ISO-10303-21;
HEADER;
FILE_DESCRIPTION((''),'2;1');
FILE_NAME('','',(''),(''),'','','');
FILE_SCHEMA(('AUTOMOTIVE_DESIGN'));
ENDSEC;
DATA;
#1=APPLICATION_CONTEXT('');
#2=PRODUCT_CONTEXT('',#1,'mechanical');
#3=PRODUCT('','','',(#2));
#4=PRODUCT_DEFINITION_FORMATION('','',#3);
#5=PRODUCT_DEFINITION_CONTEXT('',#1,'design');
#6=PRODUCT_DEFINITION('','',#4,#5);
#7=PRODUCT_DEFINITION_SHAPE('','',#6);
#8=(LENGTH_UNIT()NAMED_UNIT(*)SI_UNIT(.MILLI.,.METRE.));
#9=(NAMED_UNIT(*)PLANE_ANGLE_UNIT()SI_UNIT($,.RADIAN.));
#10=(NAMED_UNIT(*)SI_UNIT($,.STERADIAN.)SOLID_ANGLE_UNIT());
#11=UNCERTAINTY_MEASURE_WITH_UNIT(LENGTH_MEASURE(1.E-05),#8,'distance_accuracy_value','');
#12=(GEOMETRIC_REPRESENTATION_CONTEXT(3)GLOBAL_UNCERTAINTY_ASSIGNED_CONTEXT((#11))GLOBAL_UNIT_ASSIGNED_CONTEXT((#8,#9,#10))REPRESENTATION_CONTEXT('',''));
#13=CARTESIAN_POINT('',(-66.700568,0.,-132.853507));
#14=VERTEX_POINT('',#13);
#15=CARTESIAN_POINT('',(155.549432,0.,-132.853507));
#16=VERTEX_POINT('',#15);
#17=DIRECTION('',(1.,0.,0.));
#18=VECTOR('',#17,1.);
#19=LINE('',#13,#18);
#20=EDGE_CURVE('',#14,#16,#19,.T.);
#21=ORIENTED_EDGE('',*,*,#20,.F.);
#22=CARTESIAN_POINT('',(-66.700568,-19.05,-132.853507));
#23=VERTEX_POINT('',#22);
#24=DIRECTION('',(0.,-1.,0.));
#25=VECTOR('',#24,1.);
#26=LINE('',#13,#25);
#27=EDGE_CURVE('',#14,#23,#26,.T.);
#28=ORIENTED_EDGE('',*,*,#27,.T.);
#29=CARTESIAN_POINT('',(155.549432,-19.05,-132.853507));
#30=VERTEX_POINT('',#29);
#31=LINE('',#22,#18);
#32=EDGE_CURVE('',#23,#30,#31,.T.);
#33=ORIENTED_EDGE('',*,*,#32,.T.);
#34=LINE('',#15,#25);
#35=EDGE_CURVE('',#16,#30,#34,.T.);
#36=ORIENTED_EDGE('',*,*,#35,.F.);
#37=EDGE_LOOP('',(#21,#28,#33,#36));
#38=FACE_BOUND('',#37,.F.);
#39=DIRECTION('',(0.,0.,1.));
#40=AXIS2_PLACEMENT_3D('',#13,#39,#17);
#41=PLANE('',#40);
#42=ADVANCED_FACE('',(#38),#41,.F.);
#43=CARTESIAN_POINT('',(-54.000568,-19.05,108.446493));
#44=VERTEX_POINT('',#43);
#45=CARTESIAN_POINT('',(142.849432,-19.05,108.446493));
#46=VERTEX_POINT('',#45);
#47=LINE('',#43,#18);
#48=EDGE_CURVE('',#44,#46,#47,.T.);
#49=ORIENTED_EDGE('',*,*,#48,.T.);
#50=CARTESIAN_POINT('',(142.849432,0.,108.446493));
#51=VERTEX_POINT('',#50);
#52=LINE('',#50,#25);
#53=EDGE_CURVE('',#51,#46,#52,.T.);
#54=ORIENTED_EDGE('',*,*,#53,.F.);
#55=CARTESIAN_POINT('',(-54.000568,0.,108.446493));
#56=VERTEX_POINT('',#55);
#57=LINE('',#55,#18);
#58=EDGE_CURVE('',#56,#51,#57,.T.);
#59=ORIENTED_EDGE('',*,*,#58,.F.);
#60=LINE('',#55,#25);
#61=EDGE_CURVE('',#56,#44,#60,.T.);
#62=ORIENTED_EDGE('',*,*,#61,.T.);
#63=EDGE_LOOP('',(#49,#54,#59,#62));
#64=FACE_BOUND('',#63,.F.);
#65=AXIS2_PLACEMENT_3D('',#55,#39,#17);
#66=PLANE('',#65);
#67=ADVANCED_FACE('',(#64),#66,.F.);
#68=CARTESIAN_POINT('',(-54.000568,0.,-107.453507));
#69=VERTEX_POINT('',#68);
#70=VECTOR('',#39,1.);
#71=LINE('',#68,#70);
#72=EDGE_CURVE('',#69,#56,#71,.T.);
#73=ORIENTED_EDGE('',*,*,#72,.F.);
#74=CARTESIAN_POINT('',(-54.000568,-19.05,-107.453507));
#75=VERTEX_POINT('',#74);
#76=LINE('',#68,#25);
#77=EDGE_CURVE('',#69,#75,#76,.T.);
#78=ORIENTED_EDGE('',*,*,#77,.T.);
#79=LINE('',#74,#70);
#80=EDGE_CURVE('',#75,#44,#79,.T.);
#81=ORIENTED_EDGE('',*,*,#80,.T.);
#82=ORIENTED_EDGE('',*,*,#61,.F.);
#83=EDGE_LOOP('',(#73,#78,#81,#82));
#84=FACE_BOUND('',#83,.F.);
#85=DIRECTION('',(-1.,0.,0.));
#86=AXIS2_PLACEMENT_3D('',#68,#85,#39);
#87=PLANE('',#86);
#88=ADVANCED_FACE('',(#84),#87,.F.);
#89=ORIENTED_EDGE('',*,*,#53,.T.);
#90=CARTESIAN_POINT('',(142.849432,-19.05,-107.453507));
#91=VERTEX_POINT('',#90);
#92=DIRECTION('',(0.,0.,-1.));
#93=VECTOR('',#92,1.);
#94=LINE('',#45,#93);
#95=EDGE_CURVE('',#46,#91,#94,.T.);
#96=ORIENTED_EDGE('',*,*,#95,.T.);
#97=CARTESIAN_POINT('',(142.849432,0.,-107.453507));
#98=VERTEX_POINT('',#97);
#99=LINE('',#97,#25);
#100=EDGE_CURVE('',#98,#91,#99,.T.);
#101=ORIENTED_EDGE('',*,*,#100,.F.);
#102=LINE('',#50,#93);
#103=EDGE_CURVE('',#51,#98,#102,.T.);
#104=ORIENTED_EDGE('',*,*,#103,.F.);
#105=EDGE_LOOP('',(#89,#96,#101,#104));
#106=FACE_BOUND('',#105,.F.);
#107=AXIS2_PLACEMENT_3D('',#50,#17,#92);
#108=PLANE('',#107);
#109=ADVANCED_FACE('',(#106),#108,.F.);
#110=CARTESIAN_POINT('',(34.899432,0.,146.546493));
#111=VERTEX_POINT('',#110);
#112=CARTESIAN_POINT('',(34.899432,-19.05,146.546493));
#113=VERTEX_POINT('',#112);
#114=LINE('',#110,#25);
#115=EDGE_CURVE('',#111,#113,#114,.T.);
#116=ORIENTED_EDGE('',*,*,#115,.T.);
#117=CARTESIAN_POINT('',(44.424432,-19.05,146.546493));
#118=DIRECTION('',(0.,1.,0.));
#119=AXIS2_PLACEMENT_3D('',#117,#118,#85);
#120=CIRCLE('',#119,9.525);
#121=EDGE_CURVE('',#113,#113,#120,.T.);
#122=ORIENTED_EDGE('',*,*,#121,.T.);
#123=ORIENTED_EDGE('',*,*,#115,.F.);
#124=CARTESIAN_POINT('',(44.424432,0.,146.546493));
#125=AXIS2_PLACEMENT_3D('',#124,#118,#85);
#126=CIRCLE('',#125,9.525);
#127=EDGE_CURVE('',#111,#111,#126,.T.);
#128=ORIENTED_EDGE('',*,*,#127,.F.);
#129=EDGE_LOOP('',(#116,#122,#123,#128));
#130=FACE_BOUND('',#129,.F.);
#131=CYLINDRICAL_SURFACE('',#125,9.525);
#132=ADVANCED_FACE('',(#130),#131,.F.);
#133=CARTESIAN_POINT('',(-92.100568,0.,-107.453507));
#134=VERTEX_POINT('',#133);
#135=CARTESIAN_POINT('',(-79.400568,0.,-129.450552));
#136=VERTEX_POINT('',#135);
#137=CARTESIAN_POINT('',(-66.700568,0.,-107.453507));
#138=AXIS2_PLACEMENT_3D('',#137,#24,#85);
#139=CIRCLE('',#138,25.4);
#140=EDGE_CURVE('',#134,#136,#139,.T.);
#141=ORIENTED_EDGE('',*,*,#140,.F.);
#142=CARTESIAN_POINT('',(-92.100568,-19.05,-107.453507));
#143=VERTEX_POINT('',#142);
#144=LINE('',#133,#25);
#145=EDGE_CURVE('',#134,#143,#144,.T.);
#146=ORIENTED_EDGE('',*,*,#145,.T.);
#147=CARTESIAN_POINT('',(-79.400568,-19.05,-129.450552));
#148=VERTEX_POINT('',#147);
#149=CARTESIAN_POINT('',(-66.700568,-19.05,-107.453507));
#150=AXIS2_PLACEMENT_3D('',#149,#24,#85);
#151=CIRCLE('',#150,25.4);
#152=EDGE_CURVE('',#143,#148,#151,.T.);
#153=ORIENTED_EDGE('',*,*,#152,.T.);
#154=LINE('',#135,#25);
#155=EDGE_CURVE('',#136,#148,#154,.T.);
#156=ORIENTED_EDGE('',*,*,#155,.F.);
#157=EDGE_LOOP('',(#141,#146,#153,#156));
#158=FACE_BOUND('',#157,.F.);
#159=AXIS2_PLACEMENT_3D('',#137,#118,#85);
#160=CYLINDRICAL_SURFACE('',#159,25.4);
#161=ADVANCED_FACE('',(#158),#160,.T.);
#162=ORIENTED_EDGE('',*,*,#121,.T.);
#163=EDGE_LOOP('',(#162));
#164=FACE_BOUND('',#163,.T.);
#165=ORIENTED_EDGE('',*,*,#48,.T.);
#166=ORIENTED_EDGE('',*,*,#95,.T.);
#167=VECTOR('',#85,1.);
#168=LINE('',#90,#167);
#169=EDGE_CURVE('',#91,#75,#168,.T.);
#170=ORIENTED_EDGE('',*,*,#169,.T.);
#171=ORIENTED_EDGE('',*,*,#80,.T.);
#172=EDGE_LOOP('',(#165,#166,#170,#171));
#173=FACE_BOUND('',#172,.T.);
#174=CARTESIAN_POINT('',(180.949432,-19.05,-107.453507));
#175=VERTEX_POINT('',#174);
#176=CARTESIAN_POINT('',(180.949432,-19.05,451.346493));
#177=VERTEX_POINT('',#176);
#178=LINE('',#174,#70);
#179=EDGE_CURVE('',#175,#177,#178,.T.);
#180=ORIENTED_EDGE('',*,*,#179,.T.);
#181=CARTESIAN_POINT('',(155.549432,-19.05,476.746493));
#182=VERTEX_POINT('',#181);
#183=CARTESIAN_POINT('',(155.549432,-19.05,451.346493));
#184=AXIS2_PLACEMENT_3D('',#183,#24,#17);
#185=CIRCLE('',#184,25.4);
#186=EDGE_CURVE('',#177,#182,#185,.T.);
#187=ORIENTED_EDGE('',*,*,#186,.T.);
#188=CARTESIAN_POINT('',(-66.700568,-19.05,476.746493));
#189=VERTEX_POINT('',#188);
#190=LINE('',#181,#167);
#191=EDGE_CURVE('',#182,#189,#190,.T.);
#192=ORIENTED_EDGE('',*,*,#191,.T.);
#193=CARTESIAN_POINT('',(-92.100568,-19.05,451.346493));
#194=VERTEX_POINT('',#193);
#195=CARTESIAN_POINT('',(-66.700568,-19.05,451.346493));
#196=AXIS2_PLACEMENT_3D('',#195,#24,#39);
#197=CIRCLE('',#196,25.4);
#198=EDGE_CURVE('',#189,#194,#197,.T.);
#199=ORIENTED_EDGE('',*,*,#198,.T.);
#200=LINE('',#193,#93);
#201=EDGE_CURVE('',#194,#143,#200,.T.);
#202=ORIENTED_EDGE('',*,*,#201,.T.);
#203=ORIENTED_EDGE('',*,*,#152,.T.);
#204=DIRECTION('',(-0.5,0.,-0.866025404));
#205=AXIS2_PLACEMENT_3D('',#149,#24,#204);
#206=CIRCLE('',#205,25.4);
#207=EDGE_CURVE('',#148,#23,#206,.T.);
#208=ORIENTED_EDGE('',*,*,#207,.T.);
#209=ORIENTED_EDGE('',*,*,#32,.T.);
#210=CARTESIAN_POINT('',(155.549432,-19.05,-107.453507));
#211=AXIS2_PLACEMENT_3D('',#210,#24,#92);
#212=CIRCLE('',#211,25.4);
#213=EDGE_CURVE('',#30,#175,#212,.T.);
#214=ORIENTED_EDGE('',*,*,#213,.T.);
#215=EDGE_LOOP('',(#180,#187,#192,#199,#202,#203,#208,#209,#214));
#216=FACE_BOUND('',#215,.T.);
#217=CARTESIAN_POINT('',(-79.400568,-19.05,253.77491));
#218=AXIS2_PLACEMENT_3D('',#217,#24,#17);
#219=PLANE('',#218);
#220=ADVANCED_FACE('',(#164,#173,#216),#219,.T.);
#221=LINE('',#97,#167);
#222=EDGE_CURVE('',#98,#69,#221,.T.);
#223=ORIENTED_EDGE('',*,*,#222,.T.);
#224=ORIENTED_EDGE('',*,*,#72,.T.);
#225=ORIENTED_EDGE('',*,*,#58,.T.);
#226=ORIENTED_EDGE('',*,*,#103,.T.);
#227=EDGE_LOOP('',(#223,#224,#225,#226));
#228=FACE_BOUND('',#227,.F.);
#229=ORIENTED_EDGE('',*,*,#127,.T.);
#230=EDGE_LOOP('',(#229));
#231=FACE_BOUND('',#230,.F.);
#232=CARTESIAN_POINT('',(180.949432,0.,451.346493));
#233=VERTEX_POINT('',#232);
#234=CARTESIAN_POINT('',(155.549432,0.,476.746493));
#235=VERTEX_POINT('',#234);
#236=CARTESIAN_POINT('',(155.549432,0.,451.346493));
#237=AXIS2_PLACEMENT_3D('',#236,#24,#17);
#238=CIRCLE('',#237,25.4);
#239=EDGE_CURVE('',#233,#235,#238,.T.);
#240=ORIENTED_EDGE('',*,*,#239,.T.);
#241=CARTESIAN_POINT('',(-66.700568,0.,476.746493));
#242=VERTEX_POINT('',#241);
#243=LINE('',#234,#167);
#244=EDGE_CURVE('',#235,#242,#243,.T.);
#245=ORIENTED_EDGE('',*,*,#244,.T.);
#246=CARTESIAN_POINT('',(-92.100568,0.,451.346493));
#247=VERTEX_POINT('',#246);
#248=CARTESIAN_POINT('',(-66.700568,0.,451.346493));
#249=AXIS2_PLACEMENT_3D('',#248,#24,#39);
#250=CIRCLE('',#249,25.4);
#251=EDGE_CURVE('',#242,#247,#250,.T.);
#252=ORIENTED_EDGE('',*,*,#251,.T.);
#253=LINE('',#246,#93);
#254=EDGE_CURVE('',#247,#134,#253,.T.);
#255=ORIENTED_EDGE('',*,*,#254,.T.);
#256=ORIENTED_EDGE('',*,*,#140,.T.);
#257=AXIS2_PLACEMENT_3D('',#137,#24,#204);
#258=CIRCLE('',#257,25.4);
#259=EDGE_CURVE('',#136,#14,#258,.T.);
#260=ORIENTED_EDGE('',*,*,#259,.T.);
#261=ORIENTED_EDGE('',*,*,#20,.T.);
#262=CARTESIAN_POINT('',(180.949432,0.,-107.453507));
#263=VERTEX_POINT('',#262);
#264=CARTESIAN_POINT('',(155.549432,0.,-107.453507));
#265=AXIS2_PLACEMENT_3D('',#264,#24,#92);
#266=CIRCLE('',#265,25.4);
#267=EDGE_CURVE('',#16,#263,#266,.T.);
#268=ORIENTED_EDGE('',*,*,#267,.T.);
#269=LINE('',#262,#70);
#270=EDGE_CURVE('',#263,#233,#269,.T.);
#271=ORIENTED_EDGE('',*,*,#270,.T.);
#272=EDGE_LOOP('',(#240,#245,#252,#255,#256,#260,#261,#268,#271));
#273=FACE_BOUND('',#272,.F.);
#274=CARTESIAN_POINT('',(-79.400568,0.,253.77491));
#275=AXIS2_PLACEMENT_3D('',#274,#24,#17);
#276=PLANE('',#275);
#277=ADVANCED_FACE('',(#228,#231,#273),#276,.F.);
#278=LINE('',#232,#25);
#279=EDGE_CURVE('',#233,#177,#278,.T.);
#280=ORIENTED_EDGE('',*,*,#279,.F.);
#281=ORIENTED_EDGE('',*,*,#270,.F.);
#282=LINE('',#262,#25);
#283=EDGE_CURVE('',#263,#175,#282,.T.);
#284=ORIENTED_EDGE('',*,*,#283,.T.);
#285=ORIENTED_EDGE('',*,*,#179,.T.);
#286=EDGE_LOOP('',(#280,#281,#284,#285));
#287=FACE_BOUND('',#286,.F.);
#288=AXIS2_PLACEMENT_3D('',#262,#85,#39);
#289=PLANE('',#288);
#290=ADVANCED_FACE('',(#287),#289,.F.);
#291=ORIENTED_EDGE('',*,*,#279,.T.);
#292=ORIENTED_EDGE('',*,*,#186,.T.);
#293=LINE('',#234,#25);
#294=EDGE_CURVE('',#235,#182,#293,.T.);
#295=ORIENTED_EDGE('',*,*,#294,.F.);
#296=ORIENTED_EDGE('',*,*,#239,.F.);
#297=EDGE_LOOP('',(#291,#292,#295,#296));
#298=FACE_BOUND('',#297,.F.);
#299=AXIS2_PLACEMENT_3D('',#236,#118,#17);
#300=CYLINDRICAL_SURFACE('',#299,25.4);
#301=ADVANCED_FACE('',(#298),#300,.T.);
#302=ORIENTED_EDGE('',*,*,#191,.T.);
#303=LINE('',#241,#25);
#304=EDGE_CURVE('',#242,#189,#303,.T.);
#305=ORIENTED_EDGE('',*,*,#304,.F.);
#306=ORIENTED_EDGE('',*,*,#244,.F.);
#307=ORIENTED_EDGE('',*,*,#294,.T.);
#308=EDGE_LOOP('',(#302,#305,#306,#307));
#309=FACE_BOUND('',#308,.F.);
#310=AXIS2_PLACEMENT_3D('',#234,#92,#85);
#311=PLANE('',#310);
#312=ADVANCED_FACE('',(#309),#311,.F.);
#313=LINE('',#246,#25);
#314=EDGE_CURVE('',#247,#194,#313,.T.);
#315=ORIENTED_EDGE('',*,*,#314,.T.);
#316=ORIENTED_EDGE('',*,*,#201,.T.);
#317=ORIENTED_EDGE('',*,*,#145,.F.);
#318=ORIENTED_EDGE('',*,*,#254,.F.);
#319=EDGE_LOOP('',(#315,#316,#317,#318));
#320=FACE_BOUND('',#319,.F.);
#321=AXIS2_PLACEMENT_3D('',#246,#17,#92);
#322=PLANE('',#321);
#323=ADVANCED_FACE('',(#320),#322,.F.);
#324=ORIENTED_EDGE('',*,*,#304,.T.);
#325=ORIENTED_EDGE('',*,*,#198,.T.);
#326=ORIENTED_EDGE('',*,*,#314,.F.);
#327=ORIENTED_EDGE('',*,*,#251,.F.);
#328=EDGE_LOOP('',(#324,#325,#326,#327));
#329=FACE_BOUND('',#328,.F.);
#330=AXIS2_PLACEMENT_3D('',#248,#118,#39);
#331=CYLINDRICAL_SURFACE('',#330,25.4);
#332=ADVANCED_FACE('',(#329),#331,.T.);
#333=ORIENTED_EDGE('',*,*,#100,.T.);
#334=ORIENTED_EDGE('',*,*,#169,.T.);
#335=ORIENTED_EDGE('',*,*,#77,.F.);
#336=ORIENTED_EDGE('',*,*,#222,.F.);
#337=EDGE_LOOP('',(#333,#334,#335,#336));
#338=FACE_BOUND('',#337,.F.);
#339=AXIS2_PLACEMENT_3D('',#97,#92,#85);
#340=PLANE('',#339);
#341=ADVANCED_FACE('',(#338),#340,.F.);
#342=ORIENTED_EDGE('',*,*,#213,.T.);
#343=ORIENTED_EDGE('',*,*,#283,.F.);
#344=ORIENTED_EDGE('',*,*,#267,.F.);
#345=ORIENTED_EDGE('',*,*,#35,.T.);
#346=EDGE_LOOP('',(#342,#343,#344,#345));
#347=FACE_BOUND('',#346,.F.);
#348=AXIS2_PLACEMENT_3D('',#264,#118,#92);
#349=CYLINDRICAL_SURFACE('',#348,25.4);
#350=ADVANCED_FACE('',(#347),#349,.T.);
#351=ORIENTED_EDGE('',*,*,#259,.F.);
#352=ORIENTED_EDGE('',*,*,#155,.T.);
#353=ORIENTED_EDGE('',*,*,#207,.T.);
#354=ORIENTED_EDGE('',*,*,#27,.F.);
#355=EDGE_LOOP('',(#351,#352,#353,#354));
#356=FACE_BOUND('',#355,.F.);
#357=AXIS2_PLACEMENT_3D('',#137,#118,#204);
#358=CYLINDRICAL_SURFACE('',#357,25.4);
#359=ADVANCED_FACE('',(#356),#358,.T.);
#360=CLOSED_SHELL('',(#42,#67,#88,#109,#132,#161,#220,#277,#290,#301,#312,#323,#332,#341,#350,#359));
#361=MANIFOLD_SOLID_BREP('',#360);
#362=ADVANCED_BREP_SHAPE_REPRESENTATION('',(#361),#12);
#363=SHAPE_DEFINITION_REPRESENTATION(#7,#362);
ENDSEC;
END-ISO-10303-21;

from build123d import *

# Parameters (mm, degrees)
F0_W     = 25.4
F0_H     = 163.656833449
F0_W_2   = 136.525
F0_H_2   = 46.7590987682
F1_DEPTH = 19.05


with BuildPart() as f1:
    # F0 (on Front) → F1 (new body)
    with BuildSketch(Plane.XZ):
        with Locations((-79.4005683911, 253.7749098346)):
            Rectangle(F0_W, F0_H)
        Polygon((-66.7005683911, 171.9464931101), (-92.1005683911, 171.9464931101), (-92.1005683911, 146.5464931101), (-79.4005683911, 146.5464931101), (-79.4005683911, -12.6218702644), (-54.0005683911, -12.6218702644), (-54.0005683911, 108.4464931101), (142.8494316089, 108.4464931101), (142.8494316089, -107.4535068899), (180.9494316089, -107.4535068899), (180.9494316089, 171.9464931101), (180.9494316089, 288.8442277908), (44.4244316089, 288.8442277908), (44.4244316089, 335.6033265591), (-66.7005683911, 335.6033265591), align=None)
        with BuildLine():
            ThreePointArc((53.9494316089, 146.5464931101), (44.4244316089, 137.0214931101), (34.8994316089, 146.5464931101))
            ThreePointArc((34.8994316089, 146.5464931101), (44.4244316089, 156.0714931101), (53.9494316089, 146.5464931101))
        make_face(mode=Mode.SUBTRACT)
        Polygon((-79.4005683911, 146.5464931101), (-92.1005683911, 146.5464931101), (-92.1005683911, 121.1464931101), (-92.1005683911, -12.6218702644), (-79.4005683911, -12.6218702644), align=None)
        with BuildLine():
            Line((-92.1005683911, 451.3464931101), (-92.1005683911, 335.6033265591))
            Line((-92.1005683911, 335.6033265591), (-66.7005683911, 335.6033265591))
            Line((-66.7005683911, 335.6033265591), (44.4244316089, 335.6033265591))
            Line((44.4244316089, 335.6033265591), (180.9494316089, 335.6033265591))
            Line((180.9494316089, 335.6033265591), (180.9494316089, 451.3464931101))
            ThreePointArc((180.9494316089, 451.3464931101), (173.509943851, 469.3070053522), (155.5494316089, 476.7464931101))
            Line((155.5494316089, 476.7464931101), (-66.7005683911, 476.7464931101))
            ThreePointArc((-66.7005683911, 476.7464931101), (-84.6610806333, 469.3070053522), (-92.1005683911, 451.3464931101))
        make_face()
        with Locations((112.6869316089, 312.2237771749)):
            Rectangle(F0_W_2, F0_H_2)
        with BuildLine():
            Line((-79.4005683911, -12.6218702644), (-92.1005683911, -12.6218702644))
            Line((-92.1005683911, -12.6218702644), (-92.1005683911, -107.4535068899))
            ThreePointArc((-92.1005683911, -107.4535068899), (-88.6976136472, -120.1535068899), (-79.4005683911, -129.4505521461))
            Line((-79.4005683911, -129.4505521461), (-79.4005683911, -12.6218702644))
        make_face()
        with BuildLine():
            Line((-54.0005683911, -12.6218702644), (-79.4005683911, -12.6218702644))
            Line((-79.4005683911, -12.6218702644), (-79.4005683911, -129.4505521461))
            ThreePointArc((-79.4005683911, -129.4505521461), (-73.2745721367, -131.9880228777), (-66.7005683911, -132.8535068899))
            Line((-66.7005683911, -132.8535068899), (39.5014062524, -132.8535068899))
            Line((39.5014062524, -132.8535068899), (39.5014062524, -107.4535068899))
            Line((39.5014062524, -107.4535068899), (-54.0005683911, -107.4535068899))
            Line((-54.0005683911, -107.4535068899), (-54.0005683911, -12.6218702644))
        make_face()
        Polygon((39.5014062524, -107.4535068899), (39.5014062524, -132.8535068899), (104.7494316089, -132.8535068899), (104.7494316089, -107.4535068899), (95.2244316089, -107.4535068899), align=None)
        with BuildLine():
            ThreePointArc((155.5494316089, -132.8535068899), (173.509943851, -125.4140191321), (180.9494316089, -107.4535068899))
            Line((180.9494316089, -107.4535068899), (142.8494316089, -107.4535068899))
            Line((142.8494316089, -107.4535068899), (104.7494316089, -107.4535068899))
            Line((104.7494316089, -107.4535068899), (104.7494316089, -132.8535068899))
            Line((104.7494316089, -132.8535068899), (155.5494316089, -132.8535068899))
        make_face()
    extrude(amount=F1_DEPTH)


solid = f1.part
